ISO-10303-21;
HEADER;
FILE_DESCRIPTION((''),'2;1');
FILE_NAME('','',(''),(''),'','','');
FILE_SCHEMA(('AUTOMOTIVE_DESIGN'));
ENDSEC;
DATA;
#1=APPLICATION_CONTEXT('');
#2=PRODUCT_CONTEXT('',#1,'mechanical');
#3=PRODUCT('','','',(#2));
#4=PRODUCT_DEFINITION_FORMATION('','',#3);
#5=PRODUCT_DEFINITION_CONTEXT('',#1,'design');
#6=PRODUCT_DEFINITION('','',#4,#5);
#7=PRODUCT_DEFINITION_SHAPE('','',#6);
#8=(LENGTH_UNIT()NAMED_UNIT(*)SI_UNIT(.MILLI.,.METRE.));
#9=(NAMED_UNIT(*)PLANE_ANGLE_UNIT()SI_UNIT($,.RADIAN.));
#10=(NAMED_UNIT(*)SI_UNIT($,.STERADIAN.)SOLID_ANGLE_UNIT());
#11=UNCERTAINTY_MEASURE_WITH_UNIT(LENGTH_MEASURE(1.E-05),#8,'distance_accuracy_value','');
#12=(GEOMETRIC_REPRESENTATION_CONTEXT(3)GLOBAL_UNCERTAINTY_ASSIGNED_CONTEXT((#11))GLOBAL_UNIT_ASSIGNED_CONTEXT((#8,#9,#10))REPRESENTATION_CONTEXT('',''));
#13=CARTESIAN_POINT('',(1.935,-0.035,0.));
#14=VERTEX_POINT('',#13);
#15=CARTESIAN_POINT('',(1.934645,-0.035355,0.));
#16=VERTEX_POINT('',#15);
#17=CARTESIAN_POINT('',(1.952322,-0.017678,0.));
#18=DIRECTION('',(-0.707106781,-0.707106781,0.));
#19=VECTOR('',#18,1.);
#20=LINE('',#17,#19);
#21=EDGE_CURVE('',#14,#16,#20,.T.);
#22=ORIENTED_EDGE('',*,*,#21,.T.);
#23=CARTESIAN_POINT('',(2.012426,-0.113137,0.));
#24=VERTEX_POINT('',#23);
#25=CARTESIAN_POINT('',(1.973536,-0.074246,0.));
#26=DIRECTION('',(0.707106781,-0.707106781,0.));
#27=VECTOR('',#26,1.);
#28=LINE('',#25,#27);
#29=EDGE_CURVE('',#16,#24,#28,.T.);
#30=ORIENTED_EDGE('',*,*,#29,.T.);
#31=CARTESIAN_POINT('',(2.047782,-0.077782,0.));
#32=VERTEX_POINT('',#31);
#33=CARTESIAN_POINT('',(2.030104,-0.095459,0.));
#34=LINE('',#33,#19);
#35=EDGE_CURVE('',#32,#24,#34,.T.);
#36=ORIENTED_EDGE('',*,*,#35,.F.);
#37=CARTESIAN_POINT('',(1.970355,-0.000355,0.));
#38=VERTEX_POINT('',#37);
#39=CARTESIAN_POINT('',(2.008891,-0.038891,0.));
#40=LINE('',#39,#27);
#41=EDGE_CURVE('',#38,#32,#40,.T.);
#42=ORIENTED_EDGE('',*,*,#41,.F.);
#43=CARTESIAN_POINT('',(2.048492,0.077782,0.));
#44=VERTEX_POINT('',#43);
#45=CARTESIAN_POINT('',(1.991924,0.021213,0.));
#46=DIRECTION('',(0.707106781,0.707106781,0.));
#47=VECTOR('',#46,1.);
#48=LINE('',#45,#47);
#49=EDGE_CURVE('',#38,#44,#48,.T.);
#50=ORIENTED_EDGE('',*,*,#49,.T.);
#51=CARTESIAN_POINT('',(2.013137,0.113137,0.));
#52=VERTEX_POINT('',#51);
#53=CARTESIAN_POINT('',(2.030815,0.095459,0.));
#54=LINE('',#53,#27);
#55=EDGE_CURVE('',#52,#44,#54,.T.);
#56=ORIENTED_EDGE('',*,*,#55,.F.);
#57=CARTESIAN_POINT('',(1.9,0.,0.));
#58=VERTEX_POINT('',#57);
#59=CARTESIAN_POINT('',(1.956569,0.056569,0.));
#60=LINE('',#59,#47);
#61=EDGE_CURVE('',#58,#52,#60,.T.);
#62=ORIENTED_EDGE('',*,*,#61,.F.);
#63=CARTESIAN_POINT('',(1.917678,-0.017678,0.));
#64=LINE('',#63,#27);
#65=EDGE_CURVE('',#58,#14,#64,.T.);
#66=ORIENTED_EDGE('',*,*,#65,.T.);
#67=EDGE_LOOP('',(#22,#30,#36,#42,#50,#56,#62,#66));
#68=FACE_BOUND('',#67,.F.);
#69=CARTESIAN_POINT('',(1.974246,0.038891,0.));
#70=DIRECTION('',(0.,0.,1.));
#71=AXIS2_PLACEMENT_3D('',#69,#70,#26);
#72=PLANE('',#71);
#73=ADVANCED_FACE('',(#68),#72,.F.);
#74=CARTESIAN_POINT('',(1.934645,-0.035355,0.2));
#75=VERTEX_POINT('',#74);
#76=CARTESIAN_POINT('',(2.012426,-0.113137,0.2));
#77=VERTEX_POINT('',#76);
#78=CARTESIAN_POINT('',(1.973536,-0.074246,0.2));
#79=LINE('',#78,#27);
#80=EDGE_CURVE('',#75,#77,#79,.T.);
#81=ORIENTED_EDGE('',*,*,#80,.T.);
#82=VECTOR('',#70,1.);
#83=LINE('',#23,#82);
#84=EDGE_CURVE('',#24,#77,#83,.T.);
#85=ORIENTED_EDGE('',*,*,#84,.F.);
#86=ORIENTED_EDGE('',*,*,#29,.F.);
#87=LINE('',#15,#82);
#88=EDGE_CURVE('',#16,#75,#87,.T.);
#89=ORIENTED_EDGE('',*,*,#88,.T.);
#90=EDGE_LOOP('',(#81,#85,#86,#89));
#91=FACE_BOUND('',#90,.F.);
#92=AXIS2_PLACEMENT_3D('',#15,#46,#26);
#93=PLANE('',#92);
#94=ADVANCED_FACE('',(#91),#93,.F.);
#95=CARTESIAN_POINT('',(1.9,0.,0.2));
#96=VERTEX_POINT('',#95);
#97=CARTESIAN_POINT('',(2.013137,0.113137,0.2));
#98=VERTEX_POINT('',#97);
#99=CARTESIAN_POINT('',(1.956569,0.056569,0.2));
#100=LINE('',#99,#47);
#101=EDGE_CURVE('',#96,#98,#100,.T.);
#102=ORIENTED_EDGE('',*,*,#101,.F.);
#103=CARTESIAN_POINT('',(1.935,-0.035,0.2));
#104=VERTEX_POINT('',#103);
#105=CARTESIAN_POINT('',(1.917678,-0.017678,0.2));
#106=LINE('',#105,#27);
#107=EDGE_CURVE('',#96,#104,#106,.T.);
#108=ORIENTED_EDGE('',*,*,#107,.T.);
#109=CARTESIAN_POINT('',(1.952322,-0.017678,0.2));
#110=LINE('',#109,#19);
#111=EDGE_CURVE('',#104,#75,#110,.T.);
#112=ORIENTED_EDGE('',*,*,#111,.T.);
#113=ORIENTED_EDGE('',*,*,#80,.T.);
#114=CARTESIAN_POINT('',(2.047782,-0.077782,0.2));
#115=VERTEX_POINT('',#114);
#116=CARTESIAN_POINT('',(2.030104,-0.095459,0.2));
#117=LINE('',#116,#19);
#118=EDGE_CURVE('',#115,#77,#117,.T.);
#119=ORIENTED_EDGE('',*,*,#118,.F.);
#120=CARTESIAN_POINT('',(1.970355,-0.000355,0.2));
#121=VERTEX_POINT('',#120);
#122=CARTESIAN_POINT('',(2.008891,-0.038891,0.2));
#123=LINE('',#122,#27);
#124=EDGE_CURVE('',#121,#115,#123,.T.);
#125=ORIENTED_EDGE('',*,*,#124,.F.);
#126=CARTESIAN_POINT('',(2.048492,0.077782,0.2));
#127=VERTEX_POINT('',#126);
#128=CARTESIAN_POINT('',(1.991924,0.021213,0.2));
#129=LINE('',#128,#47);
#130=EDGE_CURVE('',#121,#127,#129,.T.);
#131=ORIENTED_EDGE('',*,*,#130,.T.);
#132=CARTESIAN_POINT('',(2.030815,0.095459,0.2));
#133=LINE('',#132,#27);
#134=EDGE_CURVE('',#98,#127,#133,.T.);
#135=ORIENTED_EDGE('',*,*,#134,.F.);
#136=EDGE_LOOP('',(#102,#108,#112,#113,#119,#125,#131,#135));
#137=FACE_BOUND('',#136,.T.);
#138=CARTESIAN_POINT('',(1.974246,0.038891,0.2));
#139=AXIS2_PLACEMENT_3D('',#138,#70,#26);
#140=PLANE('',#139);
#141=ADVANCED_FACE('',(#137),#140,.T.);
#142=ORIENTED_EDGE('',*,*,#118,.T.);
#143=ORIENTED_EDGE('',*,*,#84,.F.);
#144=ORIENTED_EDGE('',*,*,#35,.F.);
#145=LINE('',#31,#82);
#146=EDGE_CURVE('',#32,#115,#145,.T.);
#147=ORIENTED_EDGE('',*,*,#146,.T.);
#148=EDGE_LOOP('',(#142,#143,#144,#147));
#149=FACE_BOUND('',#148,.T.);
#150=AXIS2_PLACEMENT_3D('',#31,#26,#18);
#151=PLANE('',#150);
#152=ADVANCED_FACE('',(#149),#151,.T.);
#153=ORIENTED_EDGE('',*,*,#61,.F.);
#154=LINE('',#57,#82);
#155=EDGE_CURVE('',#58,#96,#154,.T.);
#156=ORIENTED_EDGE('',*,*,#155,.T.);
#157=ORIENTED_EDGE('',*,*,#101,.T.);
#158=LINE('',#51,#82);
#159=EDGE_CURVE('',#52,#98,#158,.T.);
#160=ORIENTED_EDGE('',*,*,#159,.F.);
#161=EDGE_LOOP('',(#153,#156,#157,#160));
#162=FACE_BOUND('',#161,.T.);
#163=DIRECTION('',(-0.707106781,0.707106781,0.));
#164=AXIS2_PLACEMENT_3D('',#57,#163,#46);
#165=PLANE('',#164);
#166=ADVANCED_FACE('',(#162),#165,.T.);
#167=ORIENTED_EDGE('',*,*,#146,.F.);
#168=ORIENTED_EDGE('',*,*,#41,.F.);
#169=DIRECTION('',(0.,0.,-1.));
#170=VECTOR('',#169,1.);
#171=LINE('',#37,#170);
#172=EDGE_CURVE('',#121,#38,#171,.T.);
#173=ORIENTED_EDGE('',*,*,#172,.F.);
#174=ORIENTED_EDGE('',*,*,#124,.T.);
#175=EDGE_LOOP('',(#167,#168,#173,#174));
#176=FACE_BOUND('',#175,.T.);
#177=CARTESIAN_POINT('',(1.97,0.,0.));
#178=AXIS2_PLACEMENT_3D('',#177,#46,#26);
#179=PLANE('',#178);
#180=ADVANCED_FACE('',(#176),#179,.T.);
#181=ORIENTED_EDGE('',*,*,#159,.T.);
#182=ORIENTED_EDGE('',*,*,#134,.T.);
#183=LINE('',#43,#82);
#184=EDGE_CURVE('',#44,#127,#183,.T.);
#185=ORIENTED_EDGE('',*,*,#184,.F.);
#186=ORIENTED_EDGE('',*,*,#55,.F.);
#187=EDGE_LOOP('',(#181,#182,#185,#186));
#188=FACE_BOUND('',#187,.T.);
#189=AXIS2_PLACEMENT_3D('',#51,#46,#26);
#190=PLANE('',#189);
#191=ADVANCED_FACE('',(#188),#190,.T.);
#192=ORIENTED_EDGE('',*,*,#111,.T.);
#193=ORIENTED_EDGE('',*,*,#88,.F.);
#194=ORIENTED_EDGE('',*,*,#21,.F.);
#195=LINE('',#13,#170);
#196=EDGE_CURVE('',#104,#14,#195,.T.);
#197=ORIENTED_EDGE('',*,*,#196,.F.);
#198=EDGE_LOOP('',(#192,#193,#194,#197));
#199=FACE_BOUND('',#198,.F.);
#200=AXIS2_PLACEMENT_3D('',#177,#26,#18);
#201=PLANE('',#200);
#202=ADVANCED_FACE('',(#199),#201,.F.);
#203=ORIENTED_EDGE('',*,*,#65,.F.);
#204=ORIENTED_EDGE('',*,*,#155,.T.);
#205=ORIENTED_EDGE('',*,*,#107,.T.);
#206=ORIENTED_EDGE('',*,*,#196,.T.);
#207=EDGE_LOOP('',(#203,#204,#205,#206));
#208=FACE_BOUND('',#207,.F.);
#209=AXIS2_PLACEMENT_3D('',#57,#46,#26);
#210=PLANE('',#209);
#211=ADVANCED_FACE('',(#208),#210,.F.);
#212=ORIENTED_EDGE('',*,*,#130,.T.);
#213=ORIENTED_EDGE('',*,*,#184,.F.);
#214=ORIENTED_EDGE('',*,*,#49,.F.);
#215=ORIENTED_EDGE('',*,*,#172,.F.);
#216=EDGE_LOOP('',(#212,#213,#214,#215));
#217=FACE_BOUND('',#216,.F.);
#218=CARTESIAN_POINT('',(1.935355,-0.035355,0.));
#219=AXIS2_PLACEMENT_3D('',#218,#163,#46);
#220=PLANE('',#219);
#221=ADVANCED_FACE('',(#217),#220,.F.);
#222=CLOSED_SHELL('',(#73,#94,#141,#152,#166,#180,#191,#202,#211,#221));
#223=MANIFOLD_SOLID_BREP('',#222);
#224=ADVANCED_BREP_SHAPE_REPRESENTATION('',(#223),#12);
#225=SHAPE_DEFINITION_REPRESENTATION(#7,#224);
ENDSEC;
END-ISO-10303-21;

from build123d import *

# Parameters (mm, degrees)
BOX007_W                  = 0.05
BOX007_H                  = 0.11
BOX007_DEPTH              = 0.2
BOX007_PLACEMENT_ANGLE    = -45
BOX006_W                  = 0.05
BOX006_H                  = 0.16
BOX006_DEPTH              = 0.2
BOX006_PLACEMENT_ANGLE    = 45
FUSION003_PLACEMENT_ANGLE = -90


with BuildPart() as kub007:
    # Box007 → Box007 (new body)
    with BuildSketch(Plane.XY):
        with Locations((0.025, 0.055)):
            Rectangle(BOX007_W, BOX007_H)
    extrude(amount=BOX007_DEPTH)


with BuildPart() as kub007_1:
    # Box007 placement: moved
    add(kub007.part.moved(Location((0, 1.97, 0))).rotate(Axis((0, 1.97, 0), (0, 0, 1)), BOX007_PLACEMENT_ANGLE))


with BuildPart() as fusion003:
    # Box006 → Box006 (new body)
    with BuildSketch(Plane.XY):
        with Locations((0.025, 0.08)):
            Rectangle(BOX006_W, BOX006_H)
    extrude(amount=BOX006_DEPTH)


with BuildPart() as fusion003_1:
    # Box006 placement: moved
    add(fusion003.part.moved(Location((0, 1.9, 0))).rotate(Axis((0, 1.9, 0), (0, 0, 1)), BOX006_PLACEMENT_ANGLE))

    # Fusion003: union Kub007
    add(kub007_1.part)


with BuildPart() as fusion003_2:
    # Fusion003 placement: moved
    add(fusion003_1.part.rotate(Axis((0, 0, 0), (0, 0, 1)), FUSION003_PLACEMENT_ANGLE))


solid = fusion003_2.part
